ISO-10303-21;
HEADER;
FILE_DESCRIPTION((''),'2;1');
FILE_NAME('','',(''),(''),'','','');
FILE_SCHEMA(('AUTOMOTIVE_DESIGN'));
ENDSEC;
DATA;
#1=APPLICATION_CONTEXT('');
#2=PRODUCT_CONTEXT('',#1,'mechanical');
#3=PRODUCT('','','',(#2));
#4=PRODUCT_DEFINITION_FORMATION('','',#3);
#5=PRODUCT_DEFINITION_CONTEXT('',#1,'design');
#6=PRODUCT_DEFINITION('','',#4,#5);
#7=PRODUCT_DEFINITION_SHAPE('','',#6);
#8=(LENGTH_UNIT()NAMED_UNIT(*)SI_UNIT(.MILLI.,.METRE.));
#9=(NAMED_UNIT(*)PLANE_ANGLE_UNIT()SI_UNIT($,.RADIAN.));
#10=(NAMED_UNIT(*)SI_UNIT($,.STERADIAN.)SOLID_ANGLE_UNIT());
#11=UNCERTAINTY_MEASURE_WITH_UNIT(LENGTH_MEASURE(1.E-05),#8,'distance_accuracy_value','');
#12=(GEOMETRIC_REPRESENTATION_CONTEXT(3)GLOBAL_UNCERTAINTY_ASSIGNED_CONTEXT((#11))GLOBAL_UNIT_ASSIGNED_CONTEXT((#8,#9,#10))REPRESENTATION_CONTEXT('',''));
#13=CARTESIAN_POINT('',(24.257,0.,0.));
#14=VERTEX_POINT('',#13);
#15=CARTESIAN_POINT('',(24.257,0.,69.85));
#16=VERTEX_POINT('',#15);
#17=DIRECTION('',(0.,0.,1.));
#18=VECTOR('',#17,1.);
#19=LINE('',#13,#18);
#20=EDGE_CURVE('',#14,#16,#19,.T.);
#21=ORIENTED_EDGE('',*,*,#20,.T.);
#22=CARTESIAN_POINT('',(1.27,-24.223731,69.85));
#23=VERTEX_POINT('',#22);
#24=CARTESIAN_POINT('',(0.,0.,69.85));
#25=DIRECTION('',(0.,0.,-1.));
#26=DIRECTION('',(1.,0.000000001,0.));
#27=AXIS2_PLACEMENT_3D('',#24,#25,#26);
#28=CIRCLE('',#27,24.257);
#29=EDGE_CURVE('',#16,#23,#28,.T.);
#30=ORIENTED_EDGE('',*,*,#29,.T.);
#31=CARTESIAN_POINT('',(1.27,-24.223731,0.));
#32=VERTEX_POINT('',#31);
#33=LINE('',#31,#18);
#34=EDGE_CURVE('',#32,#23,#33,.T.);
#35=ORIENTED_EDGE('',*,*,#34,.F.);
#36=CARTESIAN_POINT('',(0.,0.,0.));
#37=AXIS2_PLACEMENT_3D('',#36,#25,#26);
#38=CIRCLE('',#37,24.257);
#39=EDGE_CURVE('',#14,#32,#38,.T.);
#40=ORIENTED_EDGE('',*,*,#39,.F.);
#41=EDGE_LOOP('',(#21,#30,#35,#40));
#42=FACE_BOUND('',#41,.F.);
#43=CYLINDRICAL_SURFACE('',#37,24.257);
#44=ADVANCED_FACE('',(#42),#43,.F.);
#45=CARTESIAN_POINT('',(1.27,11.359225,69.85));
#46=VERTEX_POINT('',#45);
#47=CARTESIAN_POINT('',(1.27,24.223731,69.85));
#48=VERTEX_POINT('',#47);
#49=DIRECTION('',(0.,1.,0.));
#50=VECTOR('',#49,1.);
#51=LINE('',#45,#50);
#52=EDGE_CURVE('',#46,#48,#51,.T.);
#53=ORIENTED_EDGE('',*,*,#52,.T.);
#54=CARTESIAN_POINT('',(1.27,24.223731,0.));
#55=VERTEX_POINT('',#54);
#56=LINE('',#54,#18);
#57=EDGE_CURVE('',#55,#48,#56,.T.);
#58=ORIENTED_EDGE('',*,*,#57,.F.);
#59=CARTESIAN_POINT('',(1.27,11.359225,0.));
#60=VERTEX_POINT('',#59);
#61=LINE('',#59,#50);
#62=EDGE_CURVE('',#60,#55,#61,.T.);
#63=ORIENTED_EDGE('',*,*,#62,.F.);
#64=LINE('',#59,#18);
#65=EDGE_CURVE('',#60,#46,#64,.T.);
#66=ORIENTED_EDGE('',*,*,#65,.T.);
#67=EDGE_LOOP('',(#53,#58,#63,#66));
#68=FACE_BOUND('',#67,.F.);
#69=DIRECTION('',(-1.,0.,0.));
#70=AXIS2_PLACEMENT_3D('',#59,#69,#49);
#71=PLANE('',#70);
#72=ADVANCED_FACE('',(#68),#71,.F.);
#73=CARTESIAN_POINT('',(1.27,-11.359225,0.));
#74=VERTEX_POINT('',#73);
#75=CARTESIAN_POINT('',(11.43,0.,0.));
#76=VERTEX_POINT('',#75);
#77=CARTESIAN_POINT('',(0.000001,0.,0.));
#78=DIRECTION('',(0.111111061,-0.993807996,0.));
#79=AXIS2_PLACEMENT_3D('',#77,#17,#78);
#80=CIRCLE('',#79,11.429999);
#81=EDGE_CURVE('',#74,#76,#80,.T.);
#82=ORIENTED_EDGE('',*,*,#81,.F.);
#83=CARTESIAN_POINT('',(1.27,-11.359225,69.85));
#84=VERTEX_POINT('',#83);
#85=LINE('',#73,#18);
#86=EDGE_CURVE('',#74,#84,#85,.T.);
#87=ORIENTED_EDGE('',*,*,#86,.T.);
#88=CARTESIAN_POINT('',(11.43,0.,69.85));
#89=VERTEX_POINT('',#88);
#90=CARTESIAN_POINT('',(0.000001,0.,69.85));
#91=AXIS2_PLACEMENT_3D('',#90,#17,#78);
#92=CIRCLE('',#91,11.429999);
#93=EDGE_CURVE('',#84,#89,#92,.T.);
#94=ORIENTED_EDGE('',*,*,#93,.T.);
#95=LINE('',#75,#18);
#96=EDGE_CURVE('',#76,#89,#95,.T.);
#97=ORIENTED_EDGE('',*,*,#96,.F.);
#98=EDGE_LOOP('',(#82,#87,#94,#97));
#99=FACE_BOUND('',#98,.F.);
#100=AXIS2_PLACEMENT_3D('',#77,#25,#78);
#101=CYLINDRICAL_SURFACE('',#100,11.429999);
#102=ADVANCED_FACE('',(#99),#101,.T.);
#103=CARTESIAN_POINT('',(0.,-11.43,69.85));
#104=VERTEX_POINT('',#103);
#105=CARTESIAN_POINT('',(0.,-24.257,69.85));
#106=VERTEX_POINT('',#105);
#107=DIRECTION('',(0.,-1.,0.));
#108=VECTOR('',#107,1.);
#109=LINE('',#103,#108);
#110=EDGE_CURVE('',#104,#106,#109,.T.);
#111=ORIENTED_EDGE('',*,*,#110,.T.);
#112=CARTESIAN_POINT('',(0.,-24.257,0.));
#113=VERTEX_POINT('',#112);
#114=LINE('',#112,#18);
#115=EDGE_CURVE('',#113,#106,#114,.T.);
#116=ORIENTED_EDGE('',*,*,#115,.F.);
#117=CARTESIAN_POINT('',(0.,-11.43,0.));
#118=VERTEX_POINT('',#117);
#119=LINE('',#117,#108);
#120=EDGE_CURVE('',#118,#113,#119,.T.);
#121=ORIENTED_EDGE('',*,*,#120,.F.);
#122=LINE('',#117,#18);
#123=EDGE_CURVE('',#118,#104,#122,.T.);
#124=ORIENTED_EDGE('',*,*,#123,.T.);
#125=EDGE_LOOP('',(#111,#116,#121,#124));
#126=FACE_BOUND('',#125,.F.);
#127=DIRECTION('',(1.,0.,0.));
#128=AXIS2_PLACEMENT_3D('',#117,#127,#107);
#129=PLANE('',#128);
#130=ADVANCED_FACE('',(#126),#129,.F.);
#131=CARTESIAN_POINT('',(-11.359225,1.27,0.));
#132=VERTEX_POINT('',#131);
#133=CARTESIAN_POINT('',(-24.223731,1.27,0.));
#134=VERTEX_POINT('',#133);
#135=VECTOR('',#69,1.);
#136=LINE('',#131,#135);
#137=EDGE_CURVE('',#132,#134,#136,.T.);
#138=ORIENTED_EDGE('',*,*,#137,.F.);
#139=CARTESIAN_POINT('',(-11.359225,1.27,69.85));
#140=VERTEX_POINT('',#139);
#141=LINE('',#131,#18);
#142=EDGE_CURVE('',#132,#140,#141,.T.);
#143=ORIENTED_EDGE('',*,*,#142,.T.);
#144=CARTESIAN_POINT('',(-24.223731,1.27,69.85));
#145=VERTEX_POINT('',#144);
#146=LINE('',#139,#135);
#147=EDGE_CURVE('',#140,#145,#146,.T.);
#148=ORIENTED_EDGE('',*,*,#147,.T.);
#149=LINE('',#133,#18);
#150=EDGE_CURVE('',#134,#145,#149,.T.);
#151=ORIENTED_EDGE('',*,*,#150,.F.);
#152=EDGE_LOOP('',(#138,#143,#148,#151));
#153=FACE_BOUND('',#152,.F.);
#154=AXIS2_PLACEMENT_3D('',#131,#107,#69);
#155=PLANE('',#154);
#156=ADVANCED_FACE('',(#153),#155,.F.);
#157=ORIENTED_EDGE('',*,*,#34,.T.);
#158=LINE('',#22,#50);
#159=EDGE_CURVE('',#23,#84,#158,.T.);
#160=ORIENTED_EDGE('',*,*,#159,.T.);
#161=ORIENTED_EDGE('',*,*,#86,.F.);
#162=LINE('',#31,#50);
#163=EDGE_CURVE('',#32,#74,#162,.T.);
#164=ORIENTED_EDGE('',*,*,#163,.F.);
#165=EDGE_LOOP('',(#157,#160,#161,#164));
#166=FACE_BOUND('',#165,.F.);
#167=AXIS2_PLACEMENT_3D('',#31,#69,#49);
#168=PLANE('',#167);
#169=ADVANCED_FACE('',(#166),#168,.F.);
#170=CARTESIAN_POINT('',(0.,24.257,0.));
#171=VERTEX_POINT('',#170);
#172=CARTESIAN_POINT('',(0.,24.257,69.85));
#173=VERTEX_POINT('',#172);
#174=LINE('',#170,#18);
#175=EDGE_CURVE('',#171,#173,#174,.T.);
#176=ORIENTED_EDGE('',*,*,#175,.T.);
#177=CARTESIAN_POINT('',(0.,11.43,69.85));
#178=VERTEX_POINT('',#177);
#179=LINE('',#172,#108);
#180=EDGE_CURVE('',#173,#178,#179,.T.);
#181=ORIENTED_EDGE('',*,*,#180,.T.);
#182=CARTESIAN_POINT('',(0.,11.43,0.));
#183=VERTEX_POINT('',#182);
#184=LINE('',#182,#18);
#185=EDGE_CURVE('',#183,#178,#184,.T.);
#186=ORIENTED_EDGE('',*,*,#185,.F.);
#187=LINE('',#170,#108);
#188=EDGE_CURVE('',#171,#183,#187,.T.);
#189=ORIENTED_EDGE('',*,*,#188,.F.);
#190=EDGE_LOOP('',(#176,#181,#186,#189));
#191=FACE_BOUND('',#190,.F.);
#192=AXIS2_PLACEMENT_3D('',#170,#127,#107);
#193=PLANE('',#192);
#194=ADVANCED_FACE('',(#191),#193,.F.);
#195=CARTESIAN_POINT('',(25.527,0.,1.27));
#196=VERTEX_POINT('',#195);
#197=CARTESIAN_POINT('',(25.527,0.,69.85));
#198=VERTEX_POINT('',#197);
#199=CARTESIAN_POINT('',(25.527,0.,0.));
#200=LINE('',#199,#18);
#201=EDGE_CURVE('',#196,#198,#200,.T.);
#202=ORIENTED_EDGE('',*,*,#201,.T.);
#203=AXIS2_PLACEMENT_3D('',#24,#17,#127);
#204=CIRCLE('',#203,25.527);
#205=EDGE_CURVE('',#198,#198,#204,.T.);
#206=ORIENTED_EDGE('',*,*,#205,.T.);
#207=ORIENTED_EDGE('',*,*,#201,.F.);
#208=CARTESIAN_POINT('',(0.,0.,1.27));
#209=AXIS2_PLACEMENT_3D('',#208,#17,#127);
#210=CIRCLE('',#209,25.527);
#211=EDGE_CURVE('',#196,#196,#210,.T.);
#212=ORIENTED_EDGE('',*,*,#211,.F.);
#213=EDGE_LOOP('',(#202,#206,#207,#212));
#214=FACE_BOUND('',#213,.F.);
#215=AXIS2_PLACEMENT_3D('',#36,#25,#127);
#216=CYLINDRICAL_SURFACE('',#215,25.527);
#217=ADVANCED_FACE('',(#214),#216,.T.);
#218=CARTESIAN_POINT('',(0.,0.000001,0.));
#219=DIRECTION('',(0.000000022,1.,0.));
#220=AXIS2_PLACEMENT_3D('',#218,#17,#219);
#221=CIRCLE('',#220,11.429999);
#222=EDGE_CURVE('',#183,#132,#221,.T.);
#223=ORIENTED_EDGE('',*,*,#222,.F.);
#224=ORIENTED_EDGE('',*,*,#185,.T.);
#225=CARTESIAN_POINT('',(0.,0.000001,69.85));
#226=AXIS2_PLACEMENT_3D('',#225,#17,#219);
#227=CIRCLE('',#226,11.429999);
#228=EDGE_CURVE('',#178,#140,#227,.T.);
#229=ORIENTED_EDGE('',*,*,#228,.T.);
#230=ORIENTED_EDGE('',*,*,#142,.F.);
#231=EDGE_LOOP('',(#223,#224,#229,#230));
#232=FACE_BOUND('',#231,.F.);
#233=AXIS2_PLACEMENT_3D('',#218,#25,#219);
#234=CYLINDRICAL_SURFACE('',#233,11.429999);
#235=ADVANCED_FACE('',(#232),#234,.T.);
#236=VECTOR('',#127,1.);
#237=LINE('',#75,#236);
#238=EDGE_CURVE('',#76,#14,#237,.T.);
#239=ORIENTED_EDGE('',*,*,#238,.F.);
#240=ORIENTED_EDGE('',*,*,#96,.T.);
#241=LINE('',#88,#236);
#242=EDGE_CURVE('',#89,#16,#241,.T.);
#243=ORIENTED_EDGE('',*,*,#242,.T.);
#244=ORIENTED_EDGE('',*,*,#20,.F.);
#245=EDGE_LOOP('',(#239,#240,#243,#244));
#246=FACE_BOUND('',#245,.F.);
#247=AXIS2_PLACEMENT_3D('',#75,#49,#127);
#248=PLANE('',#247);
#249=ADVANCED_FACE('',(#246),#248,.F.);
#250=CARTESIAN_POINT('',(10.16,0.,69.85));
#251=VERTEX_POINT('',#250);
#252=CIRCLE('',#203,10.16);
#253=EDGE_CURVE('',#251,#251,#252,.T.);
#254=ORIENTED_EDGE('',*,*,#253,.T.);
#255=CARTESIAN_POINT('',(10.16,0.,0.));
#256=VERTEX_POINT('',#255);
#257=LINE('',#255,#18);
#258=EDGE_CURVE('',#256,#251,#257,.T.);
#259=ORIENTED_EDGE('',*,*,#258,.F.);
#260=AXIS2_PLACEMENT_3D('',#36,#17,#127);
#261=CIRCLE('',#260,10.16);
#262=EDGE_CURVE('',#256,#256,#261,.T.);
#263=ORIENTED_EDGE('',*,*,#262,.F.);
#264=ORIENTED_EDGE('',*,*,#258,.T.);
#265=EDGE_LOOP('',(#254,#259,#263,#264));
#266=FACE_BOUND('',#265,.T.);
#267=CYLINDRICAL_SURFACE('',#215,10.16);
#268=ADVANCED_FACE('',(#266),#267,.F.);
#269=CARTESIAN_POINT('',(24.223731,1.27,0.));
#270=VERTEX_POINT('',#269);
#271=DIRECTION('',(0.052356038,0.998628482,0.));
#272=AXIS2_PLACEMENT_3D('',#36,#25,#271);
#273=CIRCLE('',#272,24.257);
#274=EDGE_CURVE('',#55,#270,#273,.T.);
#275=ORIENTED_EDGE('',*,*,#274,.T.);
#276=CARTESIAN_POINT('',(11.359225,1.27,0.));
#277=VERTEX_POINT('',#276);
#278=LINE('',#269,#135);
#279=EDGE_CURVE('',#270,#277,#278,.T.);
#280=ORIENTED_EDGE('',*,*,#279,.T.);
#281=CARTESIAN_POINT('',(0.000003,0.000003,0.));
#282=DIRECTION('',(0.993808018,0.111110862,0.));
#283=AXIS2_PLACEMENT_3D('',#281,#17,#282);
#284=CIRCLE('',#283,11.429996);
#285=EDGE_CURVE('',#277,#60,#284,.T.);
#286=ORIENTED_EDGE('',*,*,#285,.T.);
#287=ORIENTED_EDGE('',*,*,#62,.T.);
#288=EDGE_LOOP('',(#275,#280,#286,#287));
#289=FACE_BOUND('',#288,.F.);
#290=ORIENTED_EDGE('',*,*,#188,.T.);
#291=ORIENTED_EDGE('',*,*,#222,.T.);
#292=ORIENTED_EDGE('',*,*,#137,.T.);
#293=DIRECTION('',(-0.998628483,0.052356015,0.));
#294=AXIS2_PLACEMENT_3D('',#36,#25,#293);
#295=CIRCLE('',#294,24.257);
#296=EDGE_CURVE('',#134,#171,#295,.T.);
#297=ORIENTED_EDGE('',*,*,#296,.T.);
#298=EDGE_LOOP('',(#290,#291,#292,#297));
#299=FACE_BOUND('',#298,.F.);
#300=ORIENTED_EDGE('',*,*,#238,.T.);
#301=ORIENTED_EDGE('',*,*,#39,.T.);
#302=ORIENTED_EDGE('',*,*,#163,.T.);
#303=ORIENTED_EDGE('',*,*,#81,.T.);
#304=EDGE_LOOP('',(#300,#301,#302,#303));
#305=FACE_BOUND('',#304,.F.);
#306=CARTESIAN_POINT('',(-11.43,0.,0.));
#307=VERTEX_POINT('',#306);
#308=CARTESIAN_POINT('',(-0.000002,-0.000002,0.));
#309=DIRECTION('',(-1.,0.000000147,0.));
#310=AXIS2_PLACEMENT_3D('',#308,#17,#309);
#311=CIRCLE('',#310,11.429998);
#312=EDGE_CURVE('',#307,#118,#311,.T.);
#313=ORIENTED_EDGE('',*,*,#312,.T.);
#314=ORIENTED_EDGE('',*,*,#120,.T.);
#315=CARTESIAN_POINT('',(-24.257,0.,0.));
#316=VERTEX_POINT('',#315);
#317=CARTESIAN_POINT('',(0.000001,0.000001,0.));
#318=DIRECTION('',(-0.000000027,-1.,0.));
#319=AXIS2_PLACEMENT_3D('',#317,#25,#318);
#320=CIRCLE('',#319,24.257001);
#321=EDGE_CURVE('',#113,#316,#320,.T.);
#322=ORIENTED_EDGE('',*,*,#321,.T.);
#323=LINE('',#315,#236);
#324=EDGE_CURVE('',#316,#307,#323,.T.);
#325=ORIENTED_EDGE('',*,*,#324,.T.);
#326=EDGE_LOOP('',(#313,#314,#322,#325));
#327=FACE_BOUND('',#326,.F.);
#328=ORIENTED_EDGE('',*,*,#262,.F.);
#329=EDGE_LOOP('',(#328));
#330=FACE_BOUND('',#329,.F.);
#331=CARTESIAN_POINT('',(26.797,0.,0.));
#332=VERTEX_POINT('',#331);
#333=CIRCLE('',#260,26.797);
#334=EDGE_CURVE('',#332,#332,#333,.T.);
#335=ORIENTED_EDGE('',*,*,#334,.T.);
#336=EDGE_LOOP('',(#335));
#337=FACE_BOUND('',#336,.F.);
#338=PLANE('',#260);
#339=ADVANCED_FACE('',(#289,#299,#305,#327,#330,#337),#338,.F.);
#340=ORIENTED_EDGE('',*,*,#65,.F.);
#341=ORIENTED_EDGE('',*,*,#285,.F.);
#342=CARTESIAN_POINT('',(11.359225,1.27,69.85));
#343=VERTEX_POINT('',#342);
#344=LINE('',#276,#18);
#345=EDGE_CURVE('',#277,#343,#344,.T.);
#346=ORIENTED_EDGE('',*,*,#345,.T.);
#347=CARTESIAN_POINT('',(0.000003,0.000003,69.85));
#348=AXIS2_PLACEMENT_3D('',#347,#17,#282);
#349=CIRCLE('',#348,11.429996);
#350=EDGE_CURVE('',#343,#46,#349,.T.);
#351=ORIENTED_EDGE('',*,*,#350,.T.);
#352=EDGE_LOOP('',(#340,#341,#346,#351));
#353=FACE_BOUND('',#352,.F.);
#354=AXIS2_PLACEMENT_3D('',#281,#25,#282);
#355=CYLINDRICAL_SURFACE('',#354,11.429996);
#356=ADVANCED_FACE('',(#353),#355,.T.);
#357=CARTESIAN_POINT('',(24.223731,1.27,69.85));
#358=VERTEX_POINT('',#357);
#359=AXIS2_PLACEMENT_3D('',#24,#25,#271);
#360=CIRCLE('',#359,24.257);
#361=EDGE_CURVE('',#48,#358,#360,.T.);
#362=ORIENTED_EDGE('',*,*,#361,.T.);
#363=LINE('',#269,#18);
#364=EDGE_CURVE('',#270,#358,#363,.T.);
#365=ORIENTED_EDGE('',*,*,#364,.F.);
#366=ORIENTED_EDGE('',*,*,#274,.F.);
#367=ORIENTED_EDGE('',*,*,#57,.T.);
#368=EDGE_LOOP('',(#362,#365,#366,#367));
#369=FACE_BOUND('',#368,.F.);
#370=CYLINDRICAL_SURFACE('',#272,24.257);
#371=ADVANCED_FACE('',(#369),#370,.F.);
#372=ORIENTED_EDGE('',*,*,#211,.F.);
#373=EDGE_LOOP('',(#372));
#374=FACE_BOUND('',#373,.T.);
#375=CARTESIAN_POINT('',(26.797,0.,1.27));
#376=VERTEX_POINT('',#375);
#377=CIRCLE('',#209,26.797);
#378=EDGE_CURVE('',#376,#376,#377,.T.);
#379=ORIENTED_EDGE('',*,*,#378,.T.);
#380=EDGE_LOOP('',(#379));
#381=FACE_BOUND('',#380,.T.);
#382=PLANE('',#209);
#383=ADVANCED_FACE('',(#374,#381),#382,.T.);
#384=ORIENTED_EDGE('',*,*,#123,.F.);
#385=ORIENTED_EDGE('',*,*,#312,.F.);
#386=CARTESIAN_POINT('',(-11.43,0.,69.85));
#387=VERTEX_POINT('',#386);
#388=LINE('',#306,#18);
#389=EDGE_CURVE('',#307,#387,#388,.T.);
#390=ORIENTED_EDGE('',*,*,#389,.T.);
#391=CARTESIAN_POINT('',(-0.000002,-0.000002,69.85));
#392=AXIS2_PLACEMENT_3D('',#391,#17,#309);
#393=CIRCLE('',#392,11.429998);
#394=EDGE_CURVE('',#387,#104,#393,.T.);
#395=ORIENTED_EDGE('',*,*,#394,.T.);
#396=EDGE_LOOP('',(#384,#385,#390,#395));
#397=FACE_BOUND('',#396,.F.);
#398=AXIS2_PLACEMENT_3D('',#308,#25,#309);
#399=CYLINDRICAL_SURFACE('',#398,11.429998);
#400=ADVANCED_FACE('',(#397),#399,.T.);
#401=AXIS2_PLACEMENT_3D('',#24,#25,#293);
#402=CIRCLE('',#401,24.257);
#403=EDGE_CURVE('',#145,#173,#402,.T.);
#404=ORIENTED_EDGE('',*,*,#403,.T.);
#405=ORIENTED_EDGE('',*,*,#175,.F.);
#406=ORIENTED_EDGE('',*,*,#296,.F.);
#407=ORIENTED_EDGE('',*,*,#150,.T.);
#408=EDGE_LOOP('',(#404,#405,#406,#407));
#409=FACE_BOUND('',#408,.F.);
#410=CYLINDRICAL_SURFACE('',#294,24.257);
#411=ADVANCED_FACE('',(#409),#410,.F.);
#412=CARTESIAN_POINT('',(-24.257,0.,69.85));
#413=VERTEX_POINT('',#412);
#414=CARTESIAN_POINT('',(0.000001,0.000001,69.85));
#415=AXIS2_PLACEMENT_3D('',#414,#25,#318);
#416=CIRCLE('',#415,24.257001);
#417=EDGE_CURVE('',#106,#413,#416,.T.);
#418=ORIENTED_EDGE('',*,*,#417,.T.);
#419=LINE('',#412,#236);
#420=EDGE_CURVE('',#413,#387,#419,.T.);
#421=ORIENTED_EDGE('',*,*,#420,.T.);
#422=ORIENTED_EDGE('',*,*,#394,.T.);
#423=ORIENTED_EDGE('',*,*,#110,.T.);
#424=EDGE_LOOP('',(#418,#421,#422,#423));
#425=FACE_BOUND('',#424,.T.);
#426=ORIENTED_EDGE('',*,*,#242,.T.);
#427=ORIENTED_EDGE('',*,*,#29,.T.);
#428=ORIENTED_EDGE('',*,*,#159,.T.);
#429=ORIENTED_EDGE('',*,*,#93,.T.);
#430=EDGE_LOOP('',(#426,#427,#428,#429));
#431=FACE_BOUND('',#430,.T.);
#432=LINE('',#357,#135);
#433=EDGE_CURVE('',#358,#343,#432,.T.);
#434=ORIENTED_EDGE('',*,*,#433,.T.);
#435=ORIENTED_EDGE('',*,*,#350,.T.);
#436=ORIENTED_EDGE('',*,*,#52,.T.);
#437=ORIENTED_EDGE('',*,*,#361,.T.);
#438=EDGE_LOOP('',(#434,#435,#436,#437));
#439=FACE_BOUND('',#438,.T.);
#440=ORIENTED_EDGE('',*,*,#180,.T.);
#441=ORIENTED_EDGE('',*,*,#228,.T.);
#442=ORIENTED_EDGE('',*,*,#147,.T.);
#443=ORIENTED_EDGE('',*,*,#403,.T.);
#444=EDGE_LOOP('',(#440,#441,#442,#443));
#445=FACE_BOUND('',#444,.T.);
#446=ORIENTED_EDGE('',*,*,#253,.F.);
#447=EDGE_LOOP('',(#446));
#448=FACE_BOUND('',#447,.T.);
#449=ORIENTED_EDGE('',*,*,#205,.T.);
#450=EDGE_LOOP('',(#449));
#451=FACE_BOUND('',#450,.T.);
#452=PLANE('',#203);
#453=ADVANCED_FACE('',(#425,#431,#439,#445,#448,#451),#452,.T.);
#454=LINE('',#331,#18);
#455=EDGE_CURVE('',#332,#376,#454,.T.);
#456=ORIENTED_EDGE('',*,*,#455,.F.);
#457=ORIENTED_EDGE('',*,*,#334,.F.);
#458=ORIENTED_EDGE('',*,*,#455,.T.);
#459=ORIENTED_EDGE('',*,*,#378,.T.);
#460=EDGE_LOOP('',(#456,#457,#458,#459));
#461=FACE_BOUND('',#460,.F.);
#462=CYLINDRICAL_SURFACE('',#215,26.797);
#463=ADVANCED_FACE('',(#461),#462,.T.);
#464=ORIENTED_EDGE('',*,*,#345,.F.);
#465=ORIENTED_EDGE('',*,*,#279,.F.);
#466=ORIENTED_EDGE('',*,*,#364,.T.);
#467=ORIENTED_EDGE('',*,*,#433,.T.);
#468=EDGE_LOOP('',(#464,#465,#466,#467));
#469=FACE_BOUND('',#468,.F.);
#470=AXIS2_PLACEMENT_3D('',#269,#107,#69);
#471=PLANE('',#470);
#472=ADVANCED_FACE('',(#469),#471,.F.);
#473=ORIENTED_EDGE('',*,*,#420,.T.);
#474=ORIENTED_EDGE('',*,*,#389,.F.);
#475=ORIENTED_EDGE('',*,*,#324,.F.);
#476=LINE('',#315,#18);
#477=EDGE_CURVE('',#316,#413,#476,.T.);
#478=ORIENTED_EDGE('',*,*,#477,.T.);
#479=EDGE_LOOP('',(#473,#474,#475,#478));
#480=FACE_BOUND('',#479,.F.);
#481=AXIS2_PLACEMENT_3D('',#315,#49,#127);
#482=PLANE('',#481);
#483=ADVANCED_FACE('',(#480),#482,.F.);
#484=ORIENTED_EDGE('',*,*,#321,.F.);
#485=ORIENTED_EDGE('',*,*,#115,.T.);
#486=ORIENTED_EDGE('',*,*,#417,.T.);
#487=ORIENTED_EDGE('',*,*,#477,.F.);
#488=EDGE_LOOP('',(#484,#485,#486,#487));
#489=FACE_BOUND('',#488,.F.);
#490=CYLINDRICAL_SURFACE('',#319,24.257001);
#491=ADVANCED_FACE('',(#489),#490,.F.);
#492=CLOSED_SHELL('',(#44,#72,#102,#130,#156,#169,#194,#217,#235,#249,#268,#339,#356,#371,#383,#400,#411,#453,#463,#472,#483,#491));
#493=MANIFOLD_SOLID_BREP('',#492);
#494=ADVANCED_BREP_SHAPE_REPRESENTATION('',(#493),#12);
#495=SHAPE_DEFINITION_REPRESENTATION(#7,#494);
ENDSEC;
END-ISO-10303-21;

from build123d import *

# Parameters (mm, degrees)
F0_R     = 25.527
F0_R_2   = 10.16
F1_DEPTH = 69.85
F0_R_3   = 26.797
F2_DEPTH = 1.27


with BuildPart() as f1:
    # F0 (on Top) → F1 (new body)
    with BuildSketch(Plane.XY):
        Circle(F0_R)
        with BuildLine():
            ThreePointArc((24.223731, 1.27), (24.248681, 0.635218), (24.257, 0))
            ThreePointArc((24.257, 0), (17.595574, -16.69724), (1.27, -24.223731))
            ThreePointArc((1.27, -24.223731), (0.635218, -24.248681), (0, -24.257))
            ThreePointArc((0, -24.257), (-17.152289, -17.152289), (-24.257, 0))
            ThreePointArc((-24.257, 0), (-24.248681, 0.635218), (-24.223731, 1.27))
            ThreePointArc((-24.223731, 1.27), (-16.69724, 17.595574), (0, 24.257))
            ThreePointArc((0, 24.257), (0.635218, 24.248681), (1.27, 24.223731))
            ThreePointArc((1.27, 24.223731), (17.152289, 17.152289), (24.223731, 1.27))
        make_face(mode=Mode.SUBTRACT)
        with BuildLine():
            ThreePointArc((1.27, -11.359225), (8.519419, -7.62), (11.43, 0))
            ThreePointArc((11.43, 0), (11.412293, 0.635985), (11.359225, 1.27))
            ThreePointArc((11.359225, 1.27), (8.082231, 8.082231), (1.27, 11.359225))
            ThreePointArc((1.27, 11.359225), (0.635985, 11.412293), (0, 11.43))
            ThreePointArc((0, 11.43), (-7.62, 8.519419), (-11.359225, 1.27))
            ThreePointArc((-11.359225, 1.27), (-11.412293, 0.635985), (-11.43, 0))
            ThreePointArc((-11.43, 0), (-8.082231, -8.082231), (0, -11.43))
            ThreePointArc((0, -11.43), (0.635985, -11.412293), (1.27, -11.359225))
        make_face()
        Circle(F0_R_2, mode=Mode.SUBTRACT)
        with BuildLine():
            Line((1.27, 11.359225), (1.27, 24.223731))
            ThreePointArc((1.27, 24.223731), (0.635218, 24.248681), (0, 24.257))
            Line((0, 24.257), (0, 11.43))
            ThreePointArc((0, 11.43), (0.635985, 11.412293), (1.27, 11.359225))
        make_face()
        with BuildLine():
            Line((11.43, 0), (24.257, 0))
            ThreePointArc((24.257, 0), (24.248681, 0.635218), (24.223731, 1.27))
            Line((24.223731, 1.27), (11.359225, 1.27))
            ThreePointArc((11.359225, 1.27), (11.412293, 0.635985), (11.43, 0))
        make_face()
        with BuildLine():
            ThreePointArc((0, -24.257), (0.635218, -24.248681), (1.27, -24.223731))
            Line((1.27, -24.223731), (1.27, -11.359225))
            ThreePointArc((1.27, -11.359225), (0.635985, -11.412293), (0, -11.43))
            Line((0, -11.43), (0, -24.257))
        make_face()
        with BuildLine():
            ThreePointArc((-24.223731, 1.27), (-24.248681, 0.635218), (-24.257, 0))
            Line((-24.257, 0), (-11.43, 0))
            ThreePointArc((-11.43, 0), (-11.412293, 0.635985), (-11.359225, 1.27))
            Line((-11.359225, 1.27), (-24.223731, 1.27))
        make_face()
    extrude(amount=F1_DEPTH)

    # F0 (on Top) → F2 (join)
    with BuildSketch(Plane.XY):
        Circle(F0_R_3)
        Circle(F0_R, mode=Mode.SUBTRACT)
    extrude(amount=F2_DEPTH)


solid = f1.part
